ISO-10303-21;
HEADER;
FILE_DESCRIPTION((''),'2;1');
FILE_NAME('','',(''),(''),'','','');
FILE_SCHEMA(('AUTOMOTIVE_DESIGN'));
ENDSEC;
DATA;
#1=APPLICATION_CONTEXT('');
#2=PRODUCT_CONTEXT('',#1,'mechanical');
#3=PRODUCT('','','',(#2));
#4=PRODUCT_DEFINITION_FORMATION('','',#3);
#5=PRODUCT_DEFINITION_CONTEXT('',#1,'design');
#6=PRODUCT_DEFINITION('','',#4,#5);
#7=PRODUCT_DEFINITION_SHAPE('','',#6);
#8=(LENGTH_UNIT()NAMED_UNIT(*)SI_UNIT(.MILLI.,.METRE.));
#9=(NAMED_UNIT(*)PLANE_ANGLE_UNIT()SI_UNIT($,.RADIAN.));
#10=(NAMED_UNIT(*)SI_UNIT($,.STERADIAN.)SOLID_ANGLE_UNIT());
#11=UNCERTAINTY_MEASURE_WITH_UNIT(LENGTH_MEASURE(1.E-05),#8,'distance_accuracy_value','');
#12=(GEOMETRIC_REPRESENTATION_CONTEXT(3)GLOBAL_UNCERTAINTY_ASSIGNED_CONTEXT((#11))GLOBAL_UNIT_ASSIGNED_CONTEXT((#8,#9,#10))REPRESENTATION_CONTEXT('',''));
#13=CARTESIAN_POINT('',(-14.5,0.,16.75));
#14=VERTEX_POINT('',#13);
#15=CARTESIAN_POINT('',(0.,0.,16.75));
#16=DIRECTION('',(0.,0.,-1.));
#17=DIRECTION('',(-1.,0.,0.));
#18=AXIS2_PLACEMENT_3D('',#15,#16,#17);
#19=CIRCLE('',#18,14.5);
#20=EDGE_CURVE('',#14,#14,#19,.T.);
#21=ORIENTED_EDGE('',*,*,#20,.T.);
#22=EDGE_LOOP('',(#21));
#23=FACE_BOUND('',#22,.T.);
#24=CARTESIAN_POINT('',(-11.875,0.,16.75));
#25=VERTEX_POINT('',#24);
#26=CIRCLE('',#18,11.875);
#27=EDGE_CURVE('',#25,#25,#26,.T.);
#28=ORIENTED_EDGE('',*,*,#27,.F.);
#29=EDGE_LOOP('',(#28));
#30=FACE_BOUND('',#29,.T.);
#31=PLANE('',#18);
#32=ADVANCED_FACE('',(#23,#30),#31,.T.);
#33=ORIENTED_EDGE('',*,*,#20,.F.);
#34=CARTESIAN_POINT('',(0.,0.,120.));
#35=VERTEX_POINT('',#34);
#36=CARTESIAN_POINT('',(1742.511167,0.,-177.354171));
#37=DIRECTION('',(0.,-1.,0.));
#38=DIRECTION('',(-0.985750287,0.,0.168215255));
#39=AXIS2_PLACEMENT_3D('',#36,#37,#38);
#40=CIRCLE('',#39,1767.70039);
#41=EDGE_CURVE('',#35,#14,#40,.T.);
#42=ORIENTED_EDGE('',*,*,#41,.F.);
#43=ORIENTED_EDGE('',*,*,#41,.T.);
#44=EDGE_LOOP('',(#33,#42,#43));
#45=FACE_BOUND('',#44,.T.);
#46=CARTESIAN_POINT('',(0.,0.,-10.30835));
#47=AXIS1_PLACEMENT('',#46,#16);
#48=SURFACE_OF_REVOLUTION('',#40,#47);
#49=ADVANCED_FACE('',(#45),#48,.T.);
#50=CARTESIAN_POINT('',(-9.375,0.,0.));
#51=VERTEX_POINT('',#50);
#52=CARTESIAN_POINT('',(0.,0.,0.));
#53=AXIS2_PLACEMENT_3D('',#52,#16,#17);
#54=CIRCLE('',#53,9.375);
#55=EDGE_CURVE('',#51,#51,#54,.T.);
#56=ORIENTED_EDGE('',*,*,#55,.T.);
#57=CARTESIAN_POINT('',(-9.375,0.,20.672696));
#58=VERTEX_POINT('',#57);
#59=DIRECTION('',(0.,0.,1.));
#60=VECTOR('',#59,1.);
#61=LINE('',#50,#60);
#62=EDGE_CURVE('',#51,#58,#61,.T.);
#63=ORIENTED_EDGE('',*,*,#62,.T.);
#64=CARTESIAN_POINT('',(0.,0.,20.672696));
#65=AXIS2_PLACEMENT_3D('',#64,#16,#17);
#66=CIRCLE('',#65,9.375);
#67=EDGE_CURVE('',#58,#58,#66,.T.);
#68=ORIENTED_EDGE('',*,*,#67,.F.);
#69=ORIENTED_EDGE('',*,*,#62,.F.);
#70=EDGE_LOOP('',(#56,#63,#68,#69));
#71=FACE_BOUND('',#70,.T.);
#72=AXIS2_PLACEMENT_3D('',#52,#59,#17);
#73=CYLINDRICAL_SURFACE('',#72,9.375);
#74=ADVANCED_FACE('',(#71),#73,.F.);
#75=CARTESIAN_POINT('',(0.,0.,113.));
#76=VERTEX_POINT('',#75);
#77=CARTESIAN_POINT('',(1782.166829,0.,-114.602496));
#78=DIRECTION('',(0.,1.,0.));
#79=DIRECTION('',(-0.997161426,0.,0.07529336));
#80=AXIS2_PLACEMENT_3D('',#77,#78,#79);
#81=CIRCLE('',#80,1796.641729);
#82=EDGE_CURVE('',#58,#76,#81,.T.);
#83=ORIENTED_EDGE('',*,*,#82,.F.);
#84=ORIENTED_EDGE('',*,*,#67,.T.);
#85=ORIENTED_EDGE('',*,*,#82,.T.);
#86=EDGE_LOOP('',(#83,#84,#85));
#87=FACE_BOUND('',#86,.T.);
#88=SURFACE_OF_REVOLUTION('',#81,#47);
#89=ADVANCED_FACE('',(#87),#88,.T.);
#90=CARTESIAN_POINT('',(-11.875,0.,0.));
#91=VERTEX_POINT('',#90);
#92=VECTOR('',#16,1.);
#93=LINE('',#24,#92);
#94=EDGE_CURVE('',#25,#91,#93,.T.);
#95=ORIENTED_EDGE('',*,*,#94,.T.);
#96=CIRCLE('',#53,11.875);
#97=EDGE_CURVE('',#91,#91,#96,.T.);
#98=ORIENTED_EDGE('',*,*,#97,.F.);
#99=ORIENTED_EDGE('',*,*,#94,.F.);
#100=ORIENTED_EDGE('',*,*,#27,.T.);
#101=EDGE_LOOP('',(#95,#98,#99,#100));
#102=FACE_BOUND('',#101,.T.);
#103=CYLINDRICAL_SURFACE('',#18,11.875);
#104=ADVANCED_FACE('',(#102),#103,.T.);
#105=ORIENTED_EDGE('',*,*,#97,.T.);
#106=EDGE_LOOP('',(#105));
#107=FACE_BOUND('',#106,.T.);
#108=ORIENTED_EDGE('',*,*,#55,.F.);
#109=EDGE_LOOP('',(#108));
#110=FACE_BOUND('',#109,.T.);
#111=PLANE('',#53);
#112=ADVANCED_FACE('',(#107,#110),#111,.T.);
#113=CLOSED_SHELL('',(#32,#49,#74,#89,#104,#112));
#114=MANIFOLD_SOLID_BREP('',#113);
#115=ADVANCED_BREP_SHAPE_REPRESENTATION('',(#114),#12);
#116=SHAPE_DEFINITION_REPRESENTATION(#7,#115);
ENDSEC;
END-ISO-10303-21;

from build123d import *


with BuildPart() as f2:
    # F0 (on Front) → F2 (revolve)
    with BuildSketch(Plane.XZ):
        with BuildLine():
            Line((-11.875, 16.75), (-11.875, 0))
            Line((-11.875, 0), (-9.375, 0))
            Line((-9.375, 0), (-9.375, 20.672696))
            ThreePointArc((-9.375, 20.672696), (-5.283723, 66.896889), (0, 113))
            Line((0, 113), (0, 120))
            ThreePointArc((0, 120), (-8.011407, 68.481929), (-14.5, 16.75))
            Line((-14.5, 16.75), (-11.875, 16.75))
        make_face()
    revolve(axis=Axis((0, 0, -10.30835), (0, 0, -1)))


solid = f2.part
